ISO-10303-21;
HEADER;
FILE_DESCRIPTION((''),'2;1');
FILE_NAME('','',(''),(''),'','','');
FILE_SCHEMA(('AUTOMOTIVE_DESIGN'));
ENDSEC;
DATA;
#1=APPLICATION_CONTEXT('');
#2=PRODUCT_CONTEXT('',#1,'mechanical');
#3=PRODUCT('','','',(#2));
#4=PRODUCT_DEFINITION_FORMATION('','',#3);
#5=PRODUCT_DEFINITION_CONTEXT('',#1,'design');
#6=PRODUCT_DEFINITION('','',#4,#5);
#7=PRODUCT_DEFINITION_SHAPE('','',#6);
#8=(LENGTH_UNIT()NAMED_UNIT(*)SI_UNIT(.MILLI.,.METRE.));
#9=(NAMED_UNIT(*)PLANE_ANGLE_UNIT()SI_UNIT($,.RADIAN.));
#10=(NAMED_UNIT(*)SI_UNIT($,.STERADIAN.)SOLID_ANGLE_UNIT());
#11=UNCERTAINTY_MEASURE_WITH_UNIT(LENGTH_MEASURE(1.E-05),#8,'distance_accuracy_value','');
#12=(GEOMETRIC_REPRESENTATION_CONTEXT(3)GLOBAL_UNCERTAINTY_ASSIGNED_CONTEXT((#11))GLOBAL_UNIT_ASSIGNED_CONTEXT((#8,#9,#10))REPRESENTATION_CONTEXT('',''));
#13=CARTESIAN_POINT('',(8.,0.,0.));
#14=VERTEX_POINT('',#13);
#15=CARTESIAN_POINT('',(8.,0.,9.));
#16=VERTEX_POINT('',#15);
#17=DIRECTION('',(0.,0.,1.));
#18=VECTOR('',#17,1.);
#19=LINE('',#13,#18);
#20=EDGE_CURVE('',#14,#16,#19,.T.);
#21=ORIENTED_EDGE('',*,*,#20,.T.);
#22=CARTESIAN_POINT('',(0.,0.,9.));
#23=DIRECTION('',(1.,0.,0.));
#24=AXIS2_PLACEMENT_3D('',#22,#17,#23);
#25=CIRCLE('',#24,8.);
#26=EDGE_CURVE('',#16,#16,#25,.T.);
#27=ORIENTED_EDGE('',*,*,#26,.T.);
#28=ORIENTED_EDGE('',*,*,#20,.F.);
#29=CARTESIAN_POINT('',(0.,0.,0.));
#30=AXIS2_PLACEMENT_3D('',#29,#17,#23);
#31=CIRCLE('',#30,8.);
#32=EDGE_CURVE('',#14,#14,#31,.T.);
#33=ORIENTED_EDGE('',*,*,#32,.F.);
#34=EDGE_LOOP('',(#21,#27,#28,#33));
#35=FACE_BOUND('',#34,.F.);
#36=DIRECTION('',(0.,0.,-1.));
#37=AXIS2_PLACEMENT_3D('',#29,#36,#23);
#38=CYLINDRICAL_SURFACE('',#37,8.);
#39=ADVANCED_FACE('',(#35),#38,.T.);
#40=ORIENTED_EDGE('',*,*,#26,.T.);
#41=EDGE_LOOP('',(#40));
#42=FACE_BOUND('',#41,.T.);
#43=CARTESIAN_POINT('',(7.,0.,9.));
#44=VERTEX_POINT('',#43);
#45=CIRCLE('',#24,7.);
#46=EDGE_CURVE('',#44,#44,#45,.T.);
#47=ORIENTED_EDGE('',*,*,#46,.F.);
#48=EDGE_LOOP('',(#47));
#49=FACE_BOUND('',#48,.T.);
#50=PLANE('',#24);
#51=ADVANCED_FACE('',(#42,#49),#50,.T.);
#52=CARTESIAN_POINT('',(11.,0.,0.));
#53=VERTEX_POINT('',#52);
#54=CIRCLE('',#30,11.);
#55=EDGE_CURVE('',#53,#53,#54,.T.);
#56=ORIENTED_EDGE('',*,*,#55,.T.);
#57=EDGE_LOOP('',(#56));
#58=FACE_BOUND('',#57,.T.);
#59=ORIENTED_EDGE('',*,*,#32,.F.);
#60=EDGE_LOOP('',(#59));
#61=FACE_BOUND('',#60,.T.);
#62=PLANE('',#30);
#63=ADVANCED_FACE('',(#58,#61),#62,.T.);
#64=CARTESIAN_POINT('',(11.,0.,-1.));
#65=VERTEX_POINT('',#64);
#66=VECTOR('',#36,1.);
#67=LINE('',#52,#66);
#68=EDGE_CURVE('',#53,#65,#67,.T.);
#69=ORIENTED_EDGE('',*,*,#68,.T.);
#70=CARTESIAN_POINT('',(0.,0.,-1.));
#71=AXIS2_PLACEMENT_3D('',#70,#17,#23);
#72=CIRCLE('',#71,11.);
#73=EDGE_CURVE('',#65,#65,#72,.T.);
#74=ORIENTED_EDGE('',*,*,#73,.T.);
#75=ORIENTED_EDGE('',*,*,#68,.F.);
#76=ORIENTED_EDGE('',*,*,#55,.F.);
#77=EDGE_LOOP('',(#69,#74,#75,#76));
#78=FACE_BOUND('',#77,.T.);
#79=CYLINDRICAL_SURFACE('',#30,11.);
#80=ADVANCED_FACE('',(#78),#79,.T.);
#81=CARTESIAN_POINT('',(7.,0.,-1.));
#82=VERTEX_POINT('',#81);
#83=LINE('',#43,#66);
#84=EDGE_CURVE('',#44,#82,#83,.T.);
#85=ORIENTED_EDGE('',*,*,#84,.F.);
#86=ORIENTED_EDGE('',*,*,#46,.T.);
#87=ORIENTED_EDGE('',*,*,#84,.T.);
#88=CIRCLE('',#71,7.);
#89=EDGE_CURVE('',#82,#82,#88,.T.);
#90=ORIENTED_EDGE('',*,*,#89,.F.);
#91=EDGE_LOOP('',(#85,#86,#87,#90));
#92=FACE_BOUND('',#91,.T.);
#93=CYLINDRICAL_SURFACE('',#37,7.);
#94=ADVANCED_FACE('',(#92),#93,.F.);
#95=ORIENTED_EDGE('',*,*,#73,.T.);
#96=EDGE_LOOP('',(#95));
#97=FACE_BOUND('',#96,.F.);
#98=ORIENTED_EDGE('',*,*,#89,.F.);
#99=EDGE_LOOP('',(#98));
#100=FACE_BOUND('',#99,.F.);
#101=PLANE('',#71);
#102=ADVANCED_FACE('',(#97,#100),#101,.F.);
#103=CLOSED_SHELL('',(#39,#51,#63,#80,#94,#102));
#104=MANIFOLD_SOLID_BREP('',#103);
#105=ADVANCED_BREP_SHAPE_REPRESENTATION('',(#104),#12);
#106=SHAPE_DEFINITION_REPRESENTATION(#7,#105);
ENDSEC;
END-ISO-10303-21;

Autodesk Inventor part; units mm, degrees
ref_plane "YZ Plane" through (0, 0, 0) normal (1, 0, 0) x (0, 1, 0)
ref_plane "XZ Plane" through (0, 0, 0) normal (0, 1, 0) x (-1, 0, 0)
ref_plane "XY Plane" through (0, 0, 0) normal (0, 0, 1) x (1, 0, 0)
sketch "スケッチ1" plane through (0, 0, 0) normal (0, 0, 1) x (1, 0, 0)
  circle A0 centre (0, 0) radius 7
  circle A1 centre (0, 0) radius 8
  circle A2 centre (0, 0) radius 11
  dimension "d0" = 14
  dimension "d1" = 16
  dimension "d4" = 22
extrude "押し出し1" add sketch "スケッチ1" along normal blind 9 contours A1
extrude "押し出し2" add sketch "スケッチ1" against normal blind 1 contours A1 | A2
properties part number "オイレスF外径16内径14L9" material "アセタール樹脂、黒"
